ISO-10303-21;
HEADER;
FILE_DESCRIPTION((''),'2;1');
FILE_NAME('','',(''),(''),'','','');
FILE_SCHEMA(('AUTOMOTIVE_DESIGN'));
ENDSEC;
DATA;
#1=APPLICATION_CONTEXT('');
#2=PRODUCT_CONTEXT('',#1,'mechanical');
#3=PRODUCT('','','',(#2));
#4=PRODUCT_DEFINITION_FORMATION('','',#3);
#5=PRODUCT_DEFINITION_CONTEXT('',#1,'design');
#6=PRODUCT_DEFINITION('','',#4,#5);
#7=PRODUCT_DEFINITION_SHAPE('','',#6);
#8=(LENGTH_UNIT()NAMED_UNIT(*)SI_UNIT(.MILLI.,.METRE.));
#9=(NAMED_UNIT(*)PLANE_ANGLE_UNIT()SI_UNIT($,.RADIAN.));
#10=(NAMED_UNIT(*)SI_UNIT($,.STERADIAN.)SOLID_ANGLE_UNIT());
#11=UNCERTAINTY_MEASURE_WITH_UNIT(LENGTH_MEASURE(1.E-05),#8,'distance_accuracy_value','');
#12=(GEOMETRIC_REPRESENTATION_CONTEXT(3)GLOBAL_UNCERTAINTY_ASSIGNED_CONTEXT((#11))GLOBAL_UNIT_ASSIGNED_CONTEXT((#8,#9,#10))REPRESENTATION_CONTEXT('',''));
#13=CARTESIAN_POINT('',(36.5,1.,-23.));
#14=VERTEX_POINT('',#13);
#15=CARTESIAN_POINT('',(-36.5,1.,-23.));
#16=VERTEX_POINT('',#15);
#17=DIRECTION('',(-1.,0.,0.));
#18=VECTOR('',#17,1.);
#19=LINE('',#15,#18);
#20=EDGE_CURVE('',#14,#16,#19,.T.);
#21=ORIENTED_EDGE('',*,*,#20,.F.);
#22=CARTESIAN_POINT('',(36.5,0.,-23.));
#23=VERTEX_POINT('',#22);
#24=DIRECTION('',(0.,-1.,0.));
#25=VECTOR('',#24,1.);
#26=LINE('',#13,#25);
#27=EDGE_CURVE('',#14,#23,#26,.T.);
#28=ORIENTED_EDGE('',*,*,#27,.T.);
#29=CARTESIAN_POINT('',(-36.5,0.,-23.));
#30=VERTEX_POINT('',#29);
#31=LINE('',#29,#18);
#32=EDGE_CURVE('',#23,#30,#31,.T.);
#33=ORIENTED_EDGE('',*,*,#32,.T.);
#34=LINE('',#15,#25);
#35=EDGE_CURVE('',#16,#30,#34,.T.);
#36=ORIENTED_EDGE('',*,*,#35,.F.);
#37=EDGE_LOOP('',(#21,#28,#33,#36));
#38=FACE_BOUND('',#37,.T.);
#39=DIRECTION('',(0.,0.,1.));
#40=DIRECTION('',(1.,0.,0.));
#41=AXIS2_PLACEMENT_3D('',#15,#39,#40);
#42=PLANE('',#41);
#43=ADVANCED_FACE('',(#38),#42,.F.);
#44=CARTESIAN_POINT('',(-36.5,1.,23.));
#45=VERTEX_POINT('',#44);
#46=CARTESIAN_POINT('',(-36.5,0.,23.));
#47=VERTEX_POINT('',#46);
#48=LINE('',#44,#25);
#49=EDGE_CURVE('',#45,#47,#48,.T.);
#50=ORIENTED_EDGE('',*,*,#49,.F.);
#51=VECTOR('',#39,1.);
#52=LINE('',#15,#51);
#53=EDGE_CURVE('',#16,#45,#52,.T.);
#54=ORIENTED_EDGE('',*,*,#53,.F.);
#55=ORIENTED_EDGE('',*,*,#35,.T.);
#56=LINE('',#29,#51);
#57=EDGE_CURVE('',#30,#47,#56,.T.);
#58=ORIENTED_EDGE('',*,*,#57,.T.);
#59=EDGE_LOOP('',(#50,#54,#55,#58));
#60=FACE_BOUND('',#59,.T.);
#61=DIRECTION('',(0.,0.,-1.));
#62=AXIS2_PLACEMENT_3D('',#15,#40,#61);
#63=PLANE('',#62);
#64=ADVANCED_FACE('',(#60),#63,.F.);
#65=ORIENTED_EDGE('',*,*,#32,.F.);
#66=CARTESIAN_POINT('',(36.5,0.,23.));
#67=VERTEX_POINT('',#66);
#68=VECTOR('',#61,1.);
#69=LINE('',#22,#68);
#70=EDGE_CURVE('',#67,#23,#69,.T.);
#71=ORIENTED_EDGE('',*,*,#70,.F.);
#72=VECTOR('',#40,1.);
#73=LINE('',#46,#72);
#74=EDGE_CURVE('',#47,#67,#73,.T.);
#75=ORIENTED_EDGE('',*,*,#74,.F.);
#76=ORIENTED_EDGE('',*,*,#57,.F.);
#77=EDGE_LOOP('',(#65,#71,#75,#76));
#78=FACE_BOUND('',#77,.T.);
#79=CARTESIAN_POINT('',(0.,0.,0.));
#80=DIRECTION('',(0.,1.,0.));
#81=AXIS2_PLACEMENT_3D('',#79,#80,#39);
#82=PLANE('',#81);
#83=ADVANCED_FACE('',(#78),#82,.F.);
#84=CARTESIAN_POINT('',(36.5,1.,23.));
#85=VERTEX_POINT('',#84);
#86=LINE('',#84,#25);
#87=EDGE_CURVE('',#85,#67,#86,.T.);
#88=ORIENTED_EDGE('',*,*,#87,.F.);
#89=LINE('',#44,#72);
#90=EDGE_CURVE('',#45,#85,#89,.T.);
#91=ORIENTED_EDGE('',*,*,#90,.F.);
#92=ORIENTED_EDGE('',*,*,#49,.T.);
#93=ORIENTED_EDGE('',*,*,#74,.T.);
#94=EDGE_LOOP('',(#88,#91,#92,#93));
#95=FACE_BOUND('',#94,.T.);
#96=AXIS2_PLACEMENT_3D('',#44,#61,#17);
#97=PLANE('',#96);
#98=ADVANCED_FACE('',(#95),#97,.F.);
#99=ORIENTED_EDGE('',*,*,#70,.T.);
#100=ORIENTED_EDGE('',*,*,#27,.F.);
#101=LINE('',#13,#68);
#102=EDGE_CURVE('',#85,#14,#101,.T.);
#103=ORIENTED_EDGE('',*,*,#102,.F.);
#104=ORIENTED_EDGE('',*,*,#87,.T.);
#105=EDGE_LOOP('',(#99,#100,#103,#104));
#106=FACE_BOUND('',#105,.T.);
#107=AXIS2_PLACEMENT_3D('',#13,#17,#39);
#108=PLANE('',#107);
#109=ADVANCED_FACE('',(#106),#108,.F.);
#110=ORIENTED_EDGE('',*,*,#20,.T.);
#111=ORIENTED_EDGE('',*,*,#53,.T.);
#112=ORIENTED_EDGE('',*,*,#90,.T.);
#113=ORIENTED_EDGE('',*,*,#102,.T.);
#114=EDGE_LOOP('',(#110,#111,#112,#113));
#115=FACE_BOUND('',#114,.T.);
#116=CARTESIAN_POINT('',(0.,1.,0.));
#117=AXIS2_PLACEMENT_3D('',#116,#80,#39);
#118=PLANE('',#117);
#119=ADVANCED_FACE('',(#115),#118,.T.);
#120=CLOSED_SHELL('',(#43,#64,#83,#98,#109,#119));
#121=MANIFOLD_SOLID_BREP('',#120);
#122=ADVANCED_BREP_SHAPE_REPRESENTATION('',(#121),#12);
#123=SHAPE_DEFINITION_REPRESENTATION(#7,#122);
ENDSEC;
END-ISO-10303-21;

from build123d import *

# Parameters (mm, degrees)
CROQUIS1_W              = 73
CROQUIS1_H              = 46
SALIENTE_EXTRUIR1_DEPTH = 1


with BuildPart() as part:
    # Croquis1 → Saliente-Extruir1 (new body)
    with BuildSketch(Plane(origin=(0, 0, 0), x_dir=(1, 0, 0), z_dir=(0, 1, 0))):
        Rectangle(CROQUIS1_W, CROQUIS1_H)
    extrude(amount=SALIENTE_EXTRUIR1_DEPTH)


solid = part.part
